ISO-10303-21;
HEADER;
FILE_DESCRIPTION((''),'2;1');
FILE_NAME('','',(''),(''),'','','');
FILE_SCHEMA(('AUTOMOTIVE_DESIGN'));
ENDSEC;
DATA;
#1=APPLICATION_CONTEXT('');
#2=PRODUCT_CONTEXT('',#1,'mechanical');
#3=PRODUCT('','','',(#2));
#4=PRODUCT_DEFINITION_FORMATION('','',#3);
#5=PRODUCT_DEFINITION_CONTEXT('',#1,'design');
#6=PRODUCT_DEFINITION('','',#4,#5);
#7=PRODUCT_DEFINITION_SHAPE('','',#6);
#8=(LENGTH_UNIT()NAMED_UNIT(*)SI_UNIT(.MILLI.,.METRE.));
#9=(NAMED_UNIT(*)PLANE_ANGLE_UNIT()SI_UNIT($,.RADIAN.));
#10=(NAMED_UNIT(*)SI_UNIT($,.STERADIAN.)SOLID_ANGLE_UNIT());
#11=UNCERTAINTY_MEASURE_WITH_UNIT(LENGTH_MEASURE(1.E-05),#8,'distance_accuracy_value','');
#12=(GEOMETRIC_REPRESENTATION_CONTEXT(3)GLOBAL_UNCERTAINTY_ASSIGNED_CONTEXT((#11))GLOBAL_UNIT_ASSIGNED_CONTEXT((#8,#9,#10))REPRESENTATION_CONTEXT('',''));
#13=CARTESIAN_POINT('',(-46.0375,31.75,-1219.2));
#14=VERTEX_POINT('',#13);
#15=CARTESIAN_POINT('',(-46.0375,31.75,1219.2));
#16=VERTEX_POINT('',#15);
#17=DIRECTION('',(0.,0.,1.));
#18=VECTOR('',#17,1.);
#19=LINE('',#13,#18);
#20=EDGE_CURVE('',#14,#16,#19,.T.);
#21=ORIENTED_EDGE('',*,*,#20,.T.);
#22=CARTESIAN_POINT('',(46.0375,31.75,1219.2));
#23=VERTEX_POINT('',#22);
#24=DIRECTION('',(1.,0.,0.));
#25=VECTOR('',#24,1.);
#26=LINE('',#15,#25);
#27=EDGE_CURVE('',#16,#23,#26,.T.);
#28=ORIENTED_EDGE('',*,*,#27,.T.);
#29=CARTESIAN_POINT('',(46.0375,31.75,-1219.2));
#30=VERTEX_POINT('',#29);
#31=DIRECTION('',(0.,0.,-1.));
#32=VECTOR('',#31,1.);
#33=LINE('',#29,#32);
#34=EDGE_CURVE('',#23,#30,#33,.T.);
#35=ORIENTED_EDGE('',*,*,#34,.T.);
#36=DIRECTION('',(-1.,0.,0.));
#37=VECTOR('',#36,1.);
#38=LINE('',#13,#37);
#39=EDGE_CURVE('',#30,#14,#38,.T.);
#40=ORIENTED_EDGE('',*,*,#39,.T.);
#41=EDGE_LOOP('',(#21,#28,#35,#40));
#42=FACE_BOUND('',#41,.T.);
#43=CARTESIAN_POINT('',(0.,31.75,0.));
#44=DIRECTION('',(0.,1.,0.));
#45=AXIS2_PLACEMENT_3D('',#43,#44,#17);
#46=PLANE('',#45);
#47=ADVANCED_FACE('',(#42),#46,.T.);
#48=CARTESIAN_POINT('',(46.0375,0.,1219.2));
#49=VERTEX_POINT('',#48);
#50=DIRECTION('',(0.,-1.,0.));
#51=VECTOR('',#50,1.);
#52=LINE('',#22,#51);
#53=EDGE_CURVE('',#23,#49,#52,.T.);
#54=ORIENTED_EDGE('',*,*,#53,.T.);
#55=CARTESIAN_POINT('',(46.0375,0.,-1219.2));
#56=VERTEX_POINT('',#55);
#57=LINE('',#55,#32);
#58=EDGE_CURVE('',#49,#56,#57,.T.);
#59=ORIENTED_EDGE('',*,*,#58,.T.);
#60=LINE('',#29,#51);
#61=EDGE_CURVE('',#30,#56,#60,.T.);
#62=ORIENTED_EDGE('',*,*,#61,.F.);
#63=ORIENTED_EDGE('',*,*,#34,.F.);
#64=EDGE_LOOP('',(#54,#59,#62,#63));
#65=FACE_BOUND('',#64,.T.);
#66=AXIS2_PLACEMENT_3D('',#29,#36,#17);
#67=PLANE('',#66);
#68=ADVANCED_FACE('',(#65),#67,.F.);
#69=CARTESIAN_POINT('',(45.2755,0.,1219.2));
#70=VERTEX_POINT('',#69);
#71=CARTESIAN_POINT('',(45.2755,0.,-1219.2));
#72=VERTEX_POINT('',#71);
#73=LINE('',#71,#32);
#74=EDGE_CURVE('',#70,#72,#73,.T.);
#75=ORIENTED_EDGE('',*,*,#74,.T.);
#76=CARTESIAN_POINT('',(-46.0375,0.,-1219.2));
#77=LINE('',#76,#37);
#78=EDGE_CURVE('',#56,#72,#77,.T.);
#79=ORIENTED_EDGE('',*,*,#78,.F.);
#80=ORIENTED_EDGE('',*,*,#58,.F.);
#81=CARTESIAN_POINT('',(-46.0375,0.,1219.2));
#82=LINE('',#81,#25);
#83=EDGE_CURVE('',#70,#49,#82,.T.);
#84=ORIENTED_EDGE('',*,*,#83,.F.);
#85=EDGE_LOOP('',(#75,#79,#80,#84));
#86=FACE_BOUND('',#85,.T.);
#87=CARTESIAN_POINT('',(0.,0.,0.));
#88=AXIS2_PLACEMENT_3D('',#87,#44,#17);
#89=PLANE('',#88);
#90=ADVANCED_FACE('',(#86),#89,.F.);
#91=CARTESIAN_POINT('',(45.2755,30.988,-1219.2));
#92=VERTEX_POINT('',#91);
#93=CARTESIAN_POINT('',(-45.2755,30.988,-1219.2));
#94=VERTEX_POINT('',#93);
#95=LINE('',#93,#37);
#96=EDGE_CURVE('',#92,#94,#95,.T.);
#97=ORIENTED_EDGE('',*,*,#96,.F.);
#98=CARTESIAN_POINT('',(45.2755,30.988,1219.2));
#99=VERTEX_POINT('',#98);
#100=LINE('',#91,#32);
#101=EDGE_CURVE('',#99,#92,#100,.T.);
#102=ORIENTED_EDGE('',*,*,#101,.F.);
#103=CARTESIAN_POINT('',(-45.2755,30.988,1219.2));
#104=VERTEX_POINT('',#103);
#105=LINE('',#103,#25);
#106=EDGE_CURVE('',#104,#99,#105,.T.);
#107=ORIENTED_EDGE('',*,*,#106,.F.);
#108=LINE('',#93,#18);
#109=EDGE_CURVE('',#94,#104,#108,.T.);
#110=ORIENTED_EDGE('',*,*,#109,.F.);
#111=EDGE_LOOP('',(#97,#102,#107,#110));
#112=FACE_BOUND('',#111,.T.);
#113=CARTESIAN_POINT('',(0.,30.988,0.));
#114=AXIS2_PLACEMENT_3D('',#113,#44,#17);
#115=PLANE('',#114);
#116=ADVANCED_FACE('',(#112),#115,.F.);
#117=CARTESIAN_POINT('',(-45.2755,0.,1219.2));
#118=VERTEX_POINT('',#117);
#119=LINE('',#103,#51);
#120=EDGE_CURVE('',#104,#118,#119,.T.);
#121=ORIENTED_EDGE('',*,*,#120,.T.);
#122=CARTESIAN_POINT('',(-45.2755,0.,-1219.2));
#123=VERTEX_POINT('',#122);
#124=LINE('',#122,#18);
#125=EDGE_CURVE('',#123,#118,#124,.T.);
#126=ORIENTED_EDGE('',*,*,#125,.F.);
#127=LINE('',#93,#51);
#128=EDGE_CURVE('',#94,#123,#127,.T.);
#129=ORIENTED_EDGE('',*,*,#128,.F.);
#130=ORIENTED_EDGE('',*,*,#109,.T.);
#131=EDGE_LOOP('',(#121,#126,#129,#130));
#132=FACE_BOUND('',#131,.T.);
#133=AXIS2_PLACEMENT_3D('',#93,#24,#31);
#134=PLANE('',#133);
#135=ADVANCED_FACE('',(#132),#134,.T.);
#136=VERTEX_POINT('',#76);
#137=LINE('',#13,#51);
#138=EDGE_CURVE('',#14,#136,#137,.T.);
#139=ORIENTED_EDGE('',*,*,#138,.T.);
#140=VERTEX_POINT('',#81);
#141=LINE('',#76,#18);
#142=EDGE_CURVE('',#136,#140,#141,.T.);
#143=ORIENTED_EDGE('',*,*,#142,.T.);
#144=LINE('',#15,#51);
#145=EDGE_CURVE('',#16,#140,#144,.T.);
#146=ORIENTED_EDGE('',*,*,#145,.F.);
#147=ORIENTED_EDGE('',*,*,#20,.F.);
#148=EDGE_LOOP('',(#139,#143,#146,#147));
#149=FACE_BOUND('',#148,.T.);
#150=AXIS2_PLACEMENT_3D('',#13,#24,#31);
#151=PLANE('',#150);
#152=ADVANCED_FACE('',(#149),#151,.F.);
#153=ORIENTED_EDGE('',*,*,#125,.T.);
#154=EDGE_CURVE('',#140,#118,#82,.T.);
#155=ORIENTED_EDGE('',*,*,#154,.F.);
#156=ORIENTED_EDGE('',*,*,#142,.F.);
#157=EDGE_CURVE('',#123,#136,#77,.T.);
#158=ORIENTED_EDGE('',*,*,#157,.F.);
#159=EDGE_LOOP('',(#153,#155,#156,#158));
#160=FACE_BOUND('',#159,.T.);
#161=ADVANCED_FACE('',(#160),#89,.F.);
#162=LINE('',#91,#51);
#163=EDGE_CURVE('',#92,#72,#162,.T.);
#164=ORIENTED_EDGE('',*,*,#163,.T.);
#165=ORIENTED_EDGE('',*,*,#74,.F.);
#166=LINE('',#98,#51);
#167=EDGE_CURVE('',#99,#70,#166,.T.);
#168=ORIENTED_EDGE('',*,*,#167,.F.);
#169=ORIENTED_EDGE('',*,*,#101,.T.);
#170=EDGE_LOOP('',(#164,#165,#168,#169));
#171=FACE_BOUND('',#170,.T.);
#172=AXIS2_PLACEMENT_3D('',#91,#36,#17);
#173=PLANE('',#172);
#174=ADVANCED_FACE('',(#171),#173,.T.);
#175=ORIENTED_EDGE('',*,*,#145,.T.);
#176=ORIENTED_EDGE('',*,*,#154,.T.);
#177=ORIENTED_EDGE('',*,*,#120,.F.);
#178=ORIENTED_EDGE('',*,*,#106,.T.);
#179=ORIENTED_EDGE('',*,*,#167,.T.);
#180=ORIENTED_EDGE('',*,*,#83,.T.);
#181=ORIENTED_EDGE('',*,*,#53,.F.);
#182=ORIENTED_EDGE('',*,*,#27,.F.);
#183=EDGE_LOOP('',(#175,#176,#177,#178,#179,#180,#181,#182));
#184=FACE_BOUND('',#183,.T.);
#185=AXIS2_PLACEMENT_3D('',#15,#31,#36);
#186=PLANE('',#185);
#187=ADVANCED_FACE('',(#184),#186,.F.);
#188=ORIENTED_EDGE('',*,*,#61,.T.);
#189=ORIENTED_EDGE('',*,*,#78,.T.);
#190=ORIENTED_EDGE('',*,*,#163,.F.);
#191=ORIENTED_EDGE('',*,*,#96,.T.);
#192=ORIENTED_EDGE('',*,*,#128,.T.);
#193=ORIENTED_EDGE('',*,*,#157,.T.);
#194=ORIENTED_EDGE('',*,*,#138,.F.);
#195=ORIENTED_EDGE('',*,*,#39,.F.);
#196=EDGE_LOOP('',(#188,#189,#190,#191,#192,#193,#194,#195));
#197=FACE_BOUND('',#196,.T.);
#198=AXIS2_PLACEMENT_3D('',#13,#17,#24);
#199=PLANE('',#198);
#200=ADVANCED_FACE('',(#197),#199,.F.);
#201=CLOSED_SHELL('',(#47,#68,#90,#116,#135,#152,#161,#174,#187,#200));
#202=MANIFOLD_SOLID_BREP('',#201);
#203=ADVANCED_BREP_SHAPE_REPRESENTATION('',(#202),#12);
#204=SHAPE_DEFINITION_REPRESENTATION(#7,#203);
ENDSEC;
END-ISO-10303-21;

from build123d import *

# Parameters (mm, degrees)
SKETCH1_W           = 92.075
SKETCH1_H           = 2438.4
BOSS_EXTRUDE1_DEPTH = 31.75
SKETCH2_W           = 90.551
SKETCH2_H           = 2438.4
CUT_EXTRUDE1_DEPTH  = 30.988


with BuildPart() as part:
    # Sketch1 → Boss-Extrude1 (new body)
    with BuildSketch(Plane(origin=(0, 0, 0), x_dir=(1, 0, 0), z_dir=(0, 1, 0))):
        Rectangle(SKETCH1_W, SKETCH1_H)
    extrude(amount=BOSS_EXTRUDE1_DEPTH)

    # Sketch2 → Cut-Extrude1 (cut)
    with BuildSketch(Plane(origin=(0, 0, 0), x_dir=(1, 0, 0), z_dir=(0, 1, 0))):
        Rectangle(SKETCH2_W, SKETCH2_H)
    extrude(amount=CUT_EXTRUDE1_DEPTH, mode=Mode.SUBTRACT)


solid = part.part
